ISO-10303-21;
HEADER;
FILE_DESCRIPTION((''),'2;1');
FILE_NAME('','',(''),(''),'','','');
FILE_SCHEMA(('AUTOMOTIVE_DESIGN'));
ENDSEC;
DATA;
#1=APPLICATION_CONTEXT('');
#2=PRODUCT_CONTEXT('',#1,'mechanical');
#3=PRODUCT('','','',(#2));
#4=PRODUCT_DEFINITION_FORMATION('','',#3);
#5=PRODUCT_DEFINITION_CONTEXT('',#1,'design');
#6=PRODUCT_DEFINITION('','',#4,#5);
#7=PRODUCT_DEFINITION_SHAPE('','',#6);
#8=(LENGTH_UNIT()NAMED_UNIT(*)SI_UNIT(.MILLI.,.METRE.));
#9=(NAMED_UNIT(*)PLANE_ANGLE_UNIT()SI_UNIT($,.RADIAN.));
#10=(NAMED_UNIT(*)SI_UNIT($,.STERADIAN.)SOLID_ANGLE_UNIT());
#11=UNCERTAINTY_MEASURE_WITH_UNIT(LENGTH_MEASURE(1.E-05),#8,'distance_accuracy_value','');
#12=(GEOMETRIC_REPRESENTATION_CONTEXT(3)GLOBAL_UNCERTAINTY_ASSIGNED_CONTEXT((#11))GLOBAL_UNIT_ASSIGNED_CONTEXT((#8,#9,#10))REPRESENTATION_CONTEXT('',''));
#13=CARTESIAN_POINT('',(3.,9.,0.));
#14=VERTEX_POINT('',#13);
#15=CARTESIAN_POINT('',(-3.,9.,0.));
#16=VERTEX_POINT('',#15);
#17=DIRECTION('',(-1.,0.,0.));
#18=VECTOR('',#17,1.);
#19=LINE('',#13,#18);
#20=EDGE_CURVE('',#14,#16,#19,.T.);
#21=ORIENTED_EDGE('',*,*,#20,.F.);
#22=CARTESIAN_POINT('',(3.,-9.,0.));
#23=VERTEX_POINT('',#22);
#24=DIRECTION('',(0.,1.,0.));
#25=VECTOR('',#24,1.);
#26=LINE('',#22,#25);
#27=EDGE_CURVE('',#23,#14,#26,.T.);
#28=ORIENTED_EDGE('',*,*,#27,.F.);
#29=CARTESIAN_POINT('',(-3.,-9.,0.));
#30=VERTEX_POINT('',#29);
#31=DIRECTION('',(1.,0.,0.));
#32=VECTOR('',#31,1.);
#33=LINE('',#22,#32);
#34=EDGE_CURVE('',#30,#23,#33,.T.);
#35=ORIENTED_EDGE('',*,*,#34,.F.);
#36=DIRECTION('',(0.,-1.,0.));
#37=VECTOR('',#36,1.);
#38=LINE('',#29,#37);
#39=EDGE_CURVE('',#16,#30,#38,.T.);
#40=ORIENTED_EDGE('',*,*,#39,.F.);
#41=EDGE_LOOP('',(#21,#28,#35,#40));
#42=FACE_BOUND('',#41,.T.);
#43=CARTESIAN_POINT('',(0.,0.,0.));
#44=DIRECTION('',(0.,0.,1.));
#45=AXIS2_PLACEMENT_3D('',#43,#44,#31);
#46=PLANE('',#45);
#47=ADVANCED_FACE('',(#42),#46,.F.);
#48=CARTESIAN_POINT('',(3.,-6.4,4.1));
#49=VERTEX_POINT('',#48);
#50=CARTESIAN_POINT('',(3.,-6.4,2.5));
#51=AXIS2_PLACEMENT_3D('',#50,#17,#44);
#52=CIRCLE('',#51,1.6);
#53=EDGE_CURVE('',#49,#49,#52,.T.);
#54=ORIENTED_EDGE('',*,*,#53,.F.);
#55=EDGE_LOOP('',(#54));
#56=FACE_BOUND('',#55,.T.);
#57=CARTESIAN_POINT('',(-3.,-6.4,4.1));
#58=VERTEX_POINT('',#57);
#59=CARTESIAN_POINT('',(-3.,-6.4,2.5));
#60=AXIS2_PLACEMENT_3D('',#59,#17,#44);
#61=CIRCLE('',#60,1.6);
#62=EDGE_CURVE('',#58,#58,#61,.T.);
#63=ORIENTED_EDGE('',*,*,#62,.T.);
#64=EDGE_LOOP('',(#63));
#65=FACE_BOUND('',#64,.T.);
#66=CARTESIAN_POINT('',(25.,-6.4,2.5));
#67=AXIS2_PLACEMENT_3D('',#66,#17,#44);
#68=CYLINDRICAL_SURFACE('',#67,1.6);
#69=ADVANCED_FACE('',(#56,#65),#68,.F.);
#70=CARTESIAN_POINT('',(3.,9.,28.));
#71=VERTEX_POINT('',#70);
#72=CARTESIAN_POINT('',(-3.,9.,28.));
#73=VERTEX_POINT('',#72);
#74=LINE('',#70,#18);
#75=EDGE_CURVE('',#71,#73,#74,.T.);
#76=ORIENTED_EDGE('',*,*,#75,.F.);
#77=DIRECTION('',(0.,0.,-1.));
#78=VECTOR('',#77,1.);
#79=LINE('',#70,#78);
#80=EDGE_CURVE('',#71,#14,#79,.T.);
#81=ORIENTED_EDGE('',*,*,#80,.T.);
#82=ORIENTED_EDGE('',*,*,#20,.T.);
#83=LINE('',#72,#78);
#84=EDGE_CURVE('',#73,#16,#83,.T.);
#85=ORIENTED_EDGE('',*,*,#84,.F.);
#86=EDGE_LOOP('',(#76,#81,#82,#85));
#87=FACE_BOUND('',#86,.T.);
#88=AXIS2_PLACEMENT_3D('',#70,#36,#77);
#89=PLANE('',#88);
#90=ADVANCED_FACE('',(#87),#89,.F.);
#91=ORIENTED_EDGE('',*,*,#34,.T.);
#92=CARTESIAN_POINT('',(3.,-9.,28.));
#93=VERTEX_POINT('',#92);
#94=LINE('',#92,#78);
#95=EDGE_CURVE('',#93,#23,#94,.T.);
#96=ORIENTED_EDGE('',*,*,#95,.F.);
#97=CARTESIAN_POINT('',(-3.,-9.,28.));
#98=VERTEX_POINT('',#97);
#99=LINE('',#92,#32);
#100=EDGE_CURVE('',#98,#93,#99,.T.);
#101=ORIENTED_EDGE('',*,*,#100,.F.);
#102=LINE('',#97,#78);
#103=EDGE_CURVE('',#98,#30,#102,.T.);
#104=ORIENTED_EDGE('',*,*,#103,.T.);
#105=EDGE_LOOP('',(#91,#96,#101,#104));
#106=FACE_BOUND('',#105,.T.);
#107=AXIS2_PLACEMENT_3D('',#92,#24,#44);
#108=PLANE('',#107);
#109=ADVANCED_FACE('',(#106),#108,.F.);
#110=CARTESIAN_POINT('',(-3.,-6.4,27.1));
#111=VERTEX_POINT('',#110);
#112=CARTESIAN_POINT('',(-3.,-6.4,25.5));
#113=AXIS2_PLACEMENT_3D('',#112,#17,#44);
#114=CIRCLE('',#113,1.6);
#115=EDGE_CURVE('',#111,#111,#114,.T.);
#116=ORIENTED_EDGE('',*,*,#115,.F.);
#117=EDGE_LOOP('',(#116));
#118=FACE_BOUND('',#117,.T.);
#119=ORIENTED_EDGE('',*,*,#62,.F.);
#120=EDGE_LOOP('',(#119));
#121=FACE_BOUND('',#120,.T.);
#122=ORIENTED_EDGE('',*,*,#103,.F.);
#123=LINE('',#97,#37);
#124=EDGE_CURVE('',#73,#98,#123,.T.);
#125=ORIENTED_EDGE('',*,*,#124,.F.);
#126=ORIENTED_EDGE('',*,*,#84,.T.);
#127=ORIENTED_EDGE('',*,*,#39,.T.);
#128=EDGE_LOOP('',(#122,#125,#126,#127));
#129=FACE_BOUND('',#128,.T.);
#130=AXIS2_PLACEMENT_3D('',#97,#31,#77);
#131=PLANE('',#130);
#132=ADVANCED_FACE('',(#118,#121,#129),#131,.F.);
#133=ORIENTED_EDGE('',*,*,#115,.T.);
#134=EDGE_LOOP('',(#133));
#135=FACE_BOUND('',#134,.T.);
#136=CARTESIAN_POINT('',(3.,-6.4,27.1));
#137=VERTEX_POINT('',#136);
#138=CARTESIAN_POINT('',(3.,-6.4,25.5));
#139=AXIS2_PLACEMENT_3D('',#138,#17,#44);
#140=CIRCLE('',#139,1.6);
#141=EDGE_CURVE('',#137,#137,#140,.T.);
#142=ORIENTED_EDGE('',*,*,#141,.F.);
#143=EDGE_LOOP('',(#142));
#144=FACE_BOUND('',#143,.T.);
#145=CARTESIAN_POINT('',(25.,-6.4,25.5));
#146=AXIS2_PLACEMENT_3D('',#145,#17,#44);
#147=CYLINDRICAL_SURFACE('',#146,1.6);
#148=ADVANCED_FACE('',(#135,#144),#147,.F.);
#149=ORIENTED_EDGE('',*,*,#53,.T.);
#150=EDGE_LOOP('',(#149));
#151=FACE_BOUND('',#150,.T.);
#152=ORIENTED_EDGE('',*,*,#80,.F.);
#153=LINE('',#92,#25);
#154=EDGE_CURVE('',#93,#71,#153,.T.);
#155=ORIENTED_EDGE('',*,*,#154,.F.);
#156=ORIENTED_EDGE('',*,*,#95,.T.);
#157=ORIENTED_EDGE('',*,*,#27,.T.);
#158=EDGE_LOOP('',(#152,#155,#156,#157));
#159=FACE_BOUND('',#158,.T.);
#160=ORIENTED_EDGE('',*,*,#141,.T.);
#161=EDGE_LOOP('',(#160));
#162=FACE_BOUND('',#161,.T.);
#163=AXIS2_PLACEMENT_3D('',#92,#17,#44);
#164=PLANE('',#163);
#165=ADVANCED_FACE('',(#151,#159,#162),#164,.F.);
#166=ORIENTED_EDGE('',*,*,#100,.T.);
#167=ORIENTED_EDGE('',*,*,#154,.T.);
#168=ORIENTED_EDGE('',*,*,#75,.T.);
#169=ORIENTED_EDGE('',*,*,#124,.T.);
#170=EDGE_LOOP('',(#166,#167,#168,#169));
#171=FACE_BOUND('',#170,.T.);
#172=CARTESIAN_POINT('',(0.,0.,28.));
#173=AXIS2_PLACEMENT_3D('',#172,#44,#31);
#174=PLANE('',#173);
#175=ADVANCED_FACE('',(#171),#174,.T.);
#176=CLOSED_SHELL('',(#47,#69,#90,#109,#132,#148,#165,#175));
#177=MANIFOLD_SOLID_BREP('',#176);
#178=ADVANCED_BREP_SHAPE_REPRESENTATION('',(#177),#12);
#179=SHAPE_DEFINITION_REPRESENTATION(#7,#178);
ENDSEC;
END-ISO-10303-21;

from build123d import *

# Parameters (mm, degrees)
ESQUISSE1_W             = 6
ESQUISSE1_H             = 18
BOSS_EXTRU_1_DEPTH      = 28
ESQUISSE2_R             = 1.6
ENL_V_MAT_EXTRU_1_DEPTH = 28


with BuildPart() as part:
    # Esquisse1 → Boss.-Extru.1 (new body)
    with BuildSketch(Plane.XY):
        Rectangle(ESQUISSE1_W, ESQUISSE1_H)
    extrude(amount=BOSS_EXTRU_1_DEPTH)

    # Esquisse2 → Enlèv. mat.-Extru.1 (cut)
    with BuildSketch(Plane.ZY.offset(3)):
        with Locations((2.5, -6.4)):
            Circle(ESQUISSE2_R)
        with Locations((25.5, -6.4)):
            Circle(ESQUISSE2_R)
    extrude(amount=-ENL_V_MAT_EXTRU_1_DEPTH, mode=Mode.SUBTRACT)


solid = part.part
